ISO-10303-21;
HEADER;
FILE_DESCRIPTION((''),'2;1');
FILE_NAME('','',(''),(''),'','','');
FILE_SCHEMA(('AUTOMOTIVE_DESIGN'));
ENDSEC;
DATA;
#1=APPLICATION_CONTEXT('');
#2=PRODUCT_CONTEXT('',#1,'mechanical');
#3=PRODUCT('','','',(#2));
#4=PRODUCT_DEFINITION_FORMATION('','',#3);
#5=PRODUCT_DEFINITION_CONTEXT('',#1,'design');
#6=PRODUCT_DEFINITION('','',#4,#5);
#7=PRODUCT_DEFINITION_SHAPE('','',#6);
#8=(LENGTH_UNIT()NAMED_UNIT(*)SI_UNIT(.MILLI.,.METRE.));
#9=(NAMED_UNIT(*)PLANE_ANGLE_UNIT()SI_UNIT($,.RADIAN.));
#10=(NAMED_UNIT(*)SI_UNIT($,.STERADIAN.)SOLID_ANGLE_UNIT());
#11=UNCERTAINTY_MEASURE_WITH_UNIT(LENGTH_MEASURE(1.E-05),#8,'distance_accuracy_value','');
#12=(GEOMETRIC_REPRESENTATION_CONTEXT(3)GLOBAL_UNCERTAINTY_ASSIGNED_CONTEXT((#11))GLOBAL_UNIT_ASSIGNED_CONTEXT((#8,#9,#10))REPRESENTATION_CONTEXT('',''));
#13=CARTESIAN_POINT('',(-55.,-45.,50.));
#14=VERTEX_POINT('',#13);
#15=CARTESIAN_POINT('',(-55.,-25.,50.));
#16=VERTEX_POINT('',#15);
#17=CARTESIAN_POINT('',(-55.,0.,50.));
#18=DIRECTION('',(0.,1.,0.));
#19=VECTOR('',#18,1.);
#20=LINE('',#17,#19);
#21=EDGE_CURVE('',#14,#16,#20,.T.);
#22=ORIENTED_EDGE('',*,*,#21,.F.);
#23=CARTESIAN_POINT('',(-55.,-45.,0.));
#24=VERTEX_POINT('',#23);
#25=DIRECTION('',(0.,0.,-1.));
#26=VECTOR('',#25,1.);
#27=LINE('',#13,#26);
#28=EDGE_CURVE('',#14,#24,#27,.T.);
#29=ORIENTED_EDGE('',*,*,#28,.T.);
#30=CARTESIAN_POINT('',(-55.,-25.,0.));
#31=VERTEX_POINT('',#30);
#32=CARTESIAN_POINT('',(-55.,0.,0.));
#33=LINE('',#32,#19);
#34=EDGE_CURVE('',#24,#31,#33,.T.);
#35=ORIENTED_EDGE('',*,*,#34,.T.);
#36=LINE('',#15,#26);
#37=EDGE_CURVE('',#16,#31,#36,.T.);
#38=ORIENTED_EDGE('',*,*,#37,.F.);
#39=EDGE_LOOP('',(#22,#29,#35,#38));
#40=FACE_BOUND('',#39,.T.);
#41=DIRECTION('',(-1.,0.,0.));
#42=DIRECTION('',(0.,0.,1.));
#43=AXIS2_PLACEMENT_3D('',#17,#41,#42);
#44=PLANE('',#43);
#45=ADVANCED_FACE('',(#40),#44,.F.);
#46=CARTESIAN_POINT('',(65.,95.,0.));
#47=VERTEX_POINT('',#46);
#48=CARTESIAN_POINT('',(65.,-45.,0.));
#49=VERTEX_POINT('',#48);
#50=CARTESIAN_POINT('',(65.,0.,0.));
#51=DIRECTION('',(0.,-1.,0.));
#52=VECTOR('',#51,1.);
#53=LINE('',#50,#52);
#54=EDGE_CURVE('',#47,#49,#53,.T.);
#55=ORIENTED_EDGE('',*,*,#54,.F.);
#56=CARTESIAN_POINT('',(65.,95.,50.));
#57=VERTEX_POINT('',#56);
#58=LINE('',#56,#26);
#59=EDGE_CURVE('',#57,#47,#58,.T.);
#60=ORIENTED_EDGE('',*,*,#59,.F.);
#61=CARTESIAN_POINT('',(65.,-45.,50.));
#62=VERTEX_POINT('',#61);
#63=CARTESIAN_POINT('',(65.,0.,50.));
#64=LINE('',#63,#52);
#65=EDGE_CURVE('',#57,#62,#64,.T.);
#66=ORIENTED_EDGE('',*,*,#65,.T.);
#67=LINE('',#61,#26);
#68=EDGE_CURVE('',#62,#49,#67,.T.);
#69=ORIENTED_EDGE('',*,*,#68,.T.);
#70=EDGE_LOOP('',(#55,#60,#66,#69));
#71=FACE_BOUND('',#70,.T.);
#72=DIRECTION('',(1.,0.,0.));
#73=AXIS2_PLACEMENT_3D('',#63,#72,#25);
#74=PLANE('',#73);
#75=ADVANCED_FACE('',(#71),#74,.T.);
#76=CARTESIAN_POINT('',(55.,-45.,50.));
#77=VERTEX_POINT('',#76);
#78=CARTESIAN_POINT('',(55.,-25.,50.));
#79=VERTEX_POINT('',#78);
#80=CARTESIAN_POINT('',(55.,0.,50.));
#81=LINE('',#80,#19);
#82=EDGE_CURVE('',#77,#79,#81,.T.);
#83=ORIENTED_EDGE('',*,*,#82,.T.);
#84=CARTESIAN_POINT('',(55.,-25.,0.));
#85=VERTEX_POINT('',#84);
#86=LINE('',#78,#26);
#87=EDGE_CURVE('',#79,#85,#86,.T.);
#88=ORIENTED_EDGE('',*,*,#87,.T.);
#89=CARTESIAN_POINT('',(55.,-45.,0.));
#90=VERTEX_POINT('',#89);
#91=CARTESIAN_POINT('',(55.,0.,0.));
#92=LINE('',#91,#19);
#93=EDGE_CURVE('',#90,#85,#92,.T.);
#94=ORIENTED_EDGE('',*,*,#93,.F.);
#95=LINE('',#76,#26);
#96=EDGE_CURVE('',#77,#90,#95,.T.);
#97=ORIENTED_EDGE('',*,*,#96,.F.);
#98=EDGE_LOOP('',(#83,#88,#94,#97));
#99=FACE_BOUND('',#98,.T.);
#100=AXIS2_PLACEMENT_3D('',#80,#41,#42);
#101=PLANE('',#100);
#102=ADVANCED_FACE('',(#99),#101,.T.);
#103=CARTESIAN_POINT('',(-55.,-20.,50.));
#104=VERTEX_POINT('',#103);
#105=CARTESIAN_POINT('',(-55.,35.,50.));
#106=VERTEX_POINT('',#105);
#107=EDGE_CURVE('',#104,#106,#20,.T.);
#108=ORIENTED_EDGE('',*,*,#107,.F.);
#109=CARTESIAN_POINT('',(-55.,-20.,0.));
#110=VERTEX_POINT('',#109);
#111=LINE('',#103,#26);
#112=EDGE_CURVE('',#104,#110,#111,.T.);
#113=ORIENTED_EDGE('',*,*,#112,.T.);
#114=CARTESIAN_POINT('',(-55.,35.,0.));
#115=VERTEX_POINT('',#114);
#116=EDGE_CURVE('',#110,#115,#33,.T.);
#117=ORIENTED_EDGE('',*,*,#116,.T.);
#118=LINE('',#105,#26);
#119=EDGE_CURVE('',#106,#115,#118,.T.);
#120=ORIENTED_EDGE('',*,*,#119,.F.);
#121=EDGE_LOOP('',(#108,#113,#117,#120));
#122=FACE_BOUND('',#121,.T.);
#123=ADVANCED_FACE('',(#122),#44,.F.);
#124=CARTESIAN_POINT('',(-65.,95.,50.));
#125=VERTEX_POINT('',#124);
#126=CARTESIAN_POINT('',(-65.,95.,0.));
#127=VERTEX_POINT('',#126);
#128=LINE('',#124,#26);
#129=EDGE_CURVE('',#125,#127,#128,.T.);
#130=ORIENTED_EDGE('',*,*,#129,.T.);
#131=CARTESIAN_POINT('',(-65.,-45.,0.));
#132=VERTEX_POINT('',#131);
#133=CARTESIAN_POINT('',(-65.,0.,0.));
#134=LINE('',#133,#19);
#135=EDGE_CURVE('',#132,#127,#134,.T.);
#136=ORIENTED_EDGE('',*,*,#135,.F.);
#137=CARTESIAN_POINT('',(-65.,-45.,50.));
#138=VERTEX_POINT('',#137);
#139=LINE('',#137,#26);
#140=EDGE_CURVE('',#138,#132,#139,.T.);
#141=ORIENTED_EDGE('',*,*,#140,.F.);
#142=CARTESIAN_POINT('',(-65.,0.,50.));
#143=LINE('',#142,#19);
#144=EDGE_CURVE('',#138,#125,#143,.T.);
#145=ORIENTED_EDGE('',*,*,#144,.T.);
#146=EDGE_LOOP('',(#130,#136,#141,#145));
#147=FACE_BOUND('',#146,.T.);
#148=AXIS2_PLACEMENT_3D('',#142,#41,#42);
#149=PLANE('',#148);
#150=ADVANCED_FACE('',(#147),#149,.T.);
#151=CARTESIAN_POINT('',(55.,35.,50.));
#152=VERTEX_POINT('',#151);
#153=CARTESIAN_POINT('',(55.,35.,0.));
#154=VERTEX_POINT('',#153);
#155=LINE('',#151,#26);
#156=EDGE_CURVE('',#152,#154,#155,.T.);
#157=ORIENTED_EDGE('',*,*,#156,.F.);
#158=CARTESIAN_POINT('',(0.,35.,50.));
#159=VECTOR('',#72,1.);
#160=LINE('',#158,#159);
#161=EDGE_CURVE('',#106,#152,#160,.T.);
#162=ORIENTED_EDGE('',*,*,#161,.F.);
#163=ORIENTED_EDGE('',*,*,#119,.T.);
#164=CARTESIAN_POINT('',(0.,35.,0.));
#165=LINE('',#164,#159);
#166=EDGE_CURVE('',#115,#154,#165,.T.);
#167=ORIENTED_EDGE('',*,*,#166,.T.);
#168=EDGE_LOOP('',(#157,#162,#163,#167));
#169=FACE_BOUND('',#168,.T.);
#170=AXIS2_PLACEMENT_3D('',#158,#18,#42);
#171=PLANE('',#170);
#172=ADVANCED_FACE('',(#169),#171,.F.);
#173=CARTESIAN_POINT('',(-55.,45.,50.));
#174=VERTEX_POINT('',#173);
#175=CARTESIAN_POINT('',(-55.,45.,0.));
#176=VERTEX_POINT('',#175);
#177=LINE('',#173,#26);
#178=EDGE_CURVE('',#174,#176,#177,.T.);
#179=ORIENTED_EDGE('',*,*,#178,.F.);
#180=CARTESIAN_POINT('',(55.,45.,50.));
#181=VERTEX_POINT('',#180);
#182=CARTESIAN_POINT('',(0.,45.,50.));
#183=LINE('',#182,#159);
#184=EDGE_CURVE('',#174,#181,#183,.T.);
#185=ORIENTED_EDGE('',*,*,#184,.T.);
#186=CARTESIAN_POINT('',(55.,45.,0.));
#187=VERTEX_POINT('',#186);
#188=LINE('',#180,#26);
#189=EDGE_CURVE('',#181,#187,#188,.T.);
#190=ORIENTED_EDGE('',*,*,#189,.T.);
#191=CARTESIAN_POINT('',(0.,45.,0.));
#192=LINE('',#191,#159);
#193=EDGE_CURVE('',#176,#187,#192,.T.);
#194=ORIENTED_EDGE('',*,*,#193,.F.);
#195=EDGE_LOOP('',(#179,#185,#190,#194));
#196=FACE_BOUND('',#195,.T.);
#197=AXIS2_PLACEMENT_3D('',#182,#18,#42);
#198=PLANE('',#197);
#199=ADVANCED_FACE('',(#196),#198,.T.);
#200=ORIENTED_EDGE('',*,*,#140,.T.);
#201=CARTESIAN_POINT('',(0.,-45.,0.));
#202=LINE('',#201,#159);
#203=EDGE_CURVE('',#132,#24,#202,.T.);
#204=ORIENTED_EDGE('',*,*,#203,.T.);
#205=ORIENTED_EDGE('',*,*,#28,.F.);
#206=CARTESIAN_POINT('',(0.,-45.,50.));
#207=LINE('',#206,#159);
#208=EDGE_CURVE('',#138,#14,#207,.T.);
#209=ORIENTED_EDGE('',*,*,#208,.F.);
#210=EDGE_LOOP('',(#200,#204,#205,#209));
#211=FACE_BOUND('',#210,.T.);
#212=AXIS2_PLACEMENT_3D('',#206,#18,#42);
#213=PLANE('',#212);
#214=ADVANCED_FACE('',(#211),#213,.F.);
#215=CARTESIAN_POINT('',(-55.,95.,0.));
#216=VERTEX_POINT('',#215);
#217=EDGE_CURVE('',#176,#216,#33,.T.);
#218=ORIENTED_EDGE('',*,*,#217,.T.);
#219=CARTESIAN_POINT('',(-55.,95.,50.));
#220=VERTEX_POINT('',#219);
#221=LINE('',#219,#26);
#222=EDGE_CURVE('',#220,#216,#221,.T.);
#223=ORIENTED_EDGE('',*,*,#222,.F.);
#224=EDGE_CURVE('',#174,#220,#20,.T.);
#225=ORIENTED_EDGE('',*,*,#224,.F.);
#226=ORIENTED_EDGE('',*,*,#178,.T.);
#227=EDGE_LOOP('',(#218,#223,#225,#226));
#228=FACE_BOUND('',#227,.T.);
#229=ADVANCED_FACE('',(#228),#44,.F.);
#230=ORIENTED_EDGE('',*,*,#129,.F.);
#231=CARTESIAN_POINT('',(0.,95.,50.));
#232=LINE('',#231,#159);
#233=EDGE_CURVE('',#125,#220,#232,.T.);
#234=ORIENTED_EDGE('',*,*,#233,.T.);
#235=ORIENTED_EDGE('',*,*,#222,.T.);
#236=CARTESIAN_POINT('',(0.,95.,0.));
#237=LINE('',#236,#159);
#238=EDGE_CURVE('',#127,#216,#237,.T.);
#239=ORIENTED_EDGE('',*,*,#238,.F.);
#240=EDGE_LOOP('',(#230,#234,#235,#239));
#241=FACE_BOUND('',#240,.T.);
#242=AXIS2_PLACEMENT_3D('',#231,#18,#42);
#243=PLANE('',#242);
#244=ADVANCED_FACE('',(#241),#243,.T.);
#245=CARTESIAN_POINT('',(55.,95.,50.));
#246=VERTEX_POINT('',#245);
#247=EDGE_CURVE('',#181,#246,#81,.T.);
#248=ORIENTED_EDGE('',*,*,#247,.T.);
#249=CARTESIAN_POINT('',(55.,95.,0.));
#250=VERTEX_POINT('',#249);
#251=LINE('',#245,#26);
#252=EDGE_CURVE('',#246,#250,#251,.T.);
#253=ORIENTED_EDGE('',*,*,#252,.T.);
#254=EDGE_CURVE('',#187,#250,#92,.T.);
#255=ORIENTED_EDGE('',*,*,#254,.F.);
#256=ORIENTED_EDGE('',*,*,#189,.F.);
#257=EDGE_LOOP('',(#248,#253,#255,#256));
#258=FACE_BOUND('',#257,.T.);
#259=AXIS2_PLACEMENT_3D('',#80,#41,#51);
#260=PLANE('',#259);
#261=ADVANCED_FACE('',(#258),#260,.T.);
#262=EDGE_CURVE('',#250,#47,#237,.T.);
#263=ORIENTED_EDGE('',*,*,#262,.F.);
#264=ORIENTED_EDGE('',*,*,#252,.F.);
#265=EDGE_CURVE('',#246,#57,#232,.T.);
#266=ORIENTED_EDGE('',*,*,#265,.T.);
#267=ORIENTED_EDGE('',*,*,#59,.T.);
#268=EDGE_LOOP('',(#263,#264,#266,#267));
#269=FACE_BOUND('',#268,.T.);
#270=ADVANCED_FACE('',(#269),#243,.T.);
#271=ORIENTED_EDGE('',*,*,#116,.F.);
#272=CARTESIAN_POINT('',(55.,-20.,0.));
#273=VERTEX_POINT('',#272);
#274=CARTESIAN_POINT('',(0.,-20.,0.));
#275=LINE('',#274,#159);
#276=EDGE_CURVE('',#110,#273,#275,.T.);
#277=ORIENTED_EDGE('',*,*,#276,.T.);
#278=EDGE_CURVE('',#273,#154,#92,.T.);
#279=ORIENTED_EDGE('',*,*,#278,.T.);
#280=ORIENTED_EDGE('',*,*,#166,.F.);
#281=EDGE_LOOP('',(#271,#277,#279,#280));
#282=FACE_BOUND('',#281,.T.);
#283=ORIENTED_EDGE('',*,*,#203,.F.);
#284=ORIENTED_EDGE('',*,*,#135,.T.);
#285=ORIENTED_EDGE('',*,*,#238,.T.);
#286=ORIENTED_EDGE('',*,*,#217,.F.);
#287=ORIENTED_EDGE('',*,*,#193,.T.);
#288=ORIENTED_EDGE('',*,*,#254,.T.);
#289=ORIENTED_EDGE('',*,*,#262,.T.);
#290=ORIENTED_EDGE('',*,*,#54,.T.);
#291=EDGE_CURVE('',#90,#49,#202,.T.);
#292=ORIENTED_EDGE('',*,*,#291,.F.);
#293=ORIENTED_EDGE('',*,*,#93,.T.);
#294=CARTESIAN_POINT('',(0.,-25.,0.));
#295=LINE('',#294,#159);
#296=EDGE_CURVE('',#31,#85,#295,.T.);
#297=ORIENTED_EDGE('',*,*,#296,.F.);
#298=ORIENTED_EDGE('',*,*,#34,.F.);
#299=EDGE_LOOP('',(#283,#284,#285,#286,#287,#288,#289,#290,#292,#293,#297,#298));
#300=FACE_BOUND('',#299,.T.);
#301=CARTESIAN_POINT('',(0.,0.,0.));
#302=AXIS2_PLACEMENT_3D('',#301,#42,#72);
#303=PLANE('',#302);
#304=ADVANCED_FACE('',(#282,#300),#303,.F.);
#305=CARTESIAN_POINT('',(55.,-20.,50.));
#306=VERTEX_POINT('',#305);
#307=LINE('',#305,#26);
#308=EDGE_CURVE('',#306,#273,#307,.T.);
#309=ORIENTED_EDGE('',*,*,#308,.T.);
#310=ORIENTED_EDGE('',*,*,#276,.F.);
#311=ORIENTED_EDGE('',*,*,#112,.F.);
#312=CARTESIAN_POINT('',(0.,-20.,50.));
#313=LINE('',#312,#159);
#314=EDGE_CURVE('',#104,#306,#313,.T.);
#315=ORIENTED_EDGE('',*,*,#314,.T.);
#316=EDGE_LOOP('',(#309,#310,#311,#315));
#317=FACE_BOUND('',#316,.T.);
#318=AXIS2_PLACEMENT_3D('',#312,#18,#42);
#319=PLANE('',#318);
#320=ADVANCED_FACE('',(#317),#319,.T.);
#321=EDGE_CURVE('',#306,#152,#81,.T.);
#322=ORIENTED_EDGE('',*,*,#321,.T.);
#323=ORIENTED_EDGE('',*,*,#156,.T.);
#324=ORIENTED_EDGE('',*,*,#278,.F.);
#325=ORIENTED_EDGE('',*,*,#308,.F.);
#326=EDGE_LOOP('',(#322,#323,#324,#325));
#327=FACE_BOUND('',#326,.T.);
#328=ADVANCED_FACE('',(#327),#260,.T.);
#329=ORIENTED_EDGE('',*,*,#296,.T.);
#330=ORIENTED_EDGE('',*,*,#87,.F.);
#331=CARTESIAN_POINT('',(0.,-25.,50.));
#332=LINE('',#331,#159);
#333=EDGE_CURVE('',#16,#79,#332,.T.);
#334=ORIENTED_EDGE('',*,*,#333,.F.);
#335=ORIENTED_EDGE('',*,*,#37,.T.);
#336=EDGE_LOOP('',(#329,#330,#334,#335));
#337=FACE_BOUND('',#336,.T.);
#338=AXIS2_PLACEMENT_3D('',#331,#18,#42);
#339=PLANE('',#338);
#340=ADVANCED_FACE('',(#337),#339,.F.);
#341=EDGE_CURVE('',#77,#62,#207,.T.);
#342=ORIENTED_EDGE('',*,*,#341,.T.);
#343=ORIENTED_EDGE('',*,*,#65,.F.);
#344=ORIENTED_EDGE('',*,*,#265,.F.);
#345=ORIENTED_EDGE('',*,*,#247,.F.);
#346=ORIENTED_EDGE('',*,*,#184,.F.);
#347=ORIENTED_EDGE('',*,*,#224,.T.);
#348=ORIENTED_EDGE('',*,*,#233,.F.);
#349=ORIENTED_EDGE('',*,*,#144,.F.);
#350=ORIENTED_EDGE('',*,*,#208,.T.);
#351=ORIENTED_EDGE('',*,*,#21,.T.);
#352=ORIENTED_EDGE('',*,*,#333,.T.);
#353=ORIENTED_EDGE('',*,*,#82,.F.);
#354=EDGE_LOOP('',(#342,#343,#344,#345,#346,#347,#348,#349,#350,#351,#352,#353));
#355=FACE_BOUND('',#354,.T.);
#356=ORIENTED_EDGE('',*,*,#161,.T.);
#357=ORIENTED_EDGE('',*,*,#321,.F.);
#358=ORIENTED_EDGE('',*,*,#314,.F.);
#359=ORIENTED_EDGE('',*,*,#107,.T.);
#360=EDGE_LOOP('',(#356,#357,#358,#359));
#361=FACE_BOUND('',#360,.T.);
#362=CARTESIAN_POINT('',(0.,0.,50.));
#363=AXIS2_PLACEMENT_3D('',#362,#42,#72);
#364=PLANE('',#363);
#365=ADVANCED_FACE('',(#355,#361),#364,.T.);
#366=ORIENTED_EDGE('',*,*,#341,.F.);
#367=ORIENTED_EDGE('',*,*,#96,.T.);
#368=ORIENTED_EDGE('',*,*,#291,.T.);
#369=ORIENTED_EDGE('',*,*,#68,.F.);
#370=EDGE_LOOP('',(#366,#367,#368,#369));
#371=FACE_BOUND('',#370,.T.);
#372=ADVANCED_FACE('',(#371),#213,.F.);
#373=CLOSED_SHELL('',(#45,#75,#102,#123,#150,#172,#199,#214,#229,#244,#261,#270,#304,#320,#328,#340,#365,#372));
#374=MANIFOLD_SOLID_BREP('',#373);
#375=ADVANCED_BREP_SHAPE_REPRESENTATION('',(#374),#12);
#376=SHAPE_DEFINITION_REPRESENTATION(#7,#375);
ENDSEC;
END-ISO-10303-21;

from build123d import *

# Parameters (mm, degrees)
SKETCH2_W           = 110
SKETCH2_H           = 55
BOSS_EXTRUDE1_DEPTH = 50


with BuildPart() as part:
    # Sketch2 → Boss-Extrude1 (new body)
    with BuildSketch(Plane.XY):
        Polygon((55, -45), (55, -25), (-55, -25), (-55, -45), (-65, -45), (-65, 45), (-65, 95), (-55, 95), (-55, 45), (55, 45), (55, 95), (65, 95), (65, 45), (65, -45), align=None)
        with Locations((0, 7.5)):
            Rectangle(SKETCH2_W, SKETCH2_H, mode=Mode.SUBTRACT)
    extrude(amount=BOSS_EXTRUDE1_DEPTH)


solid = part.part
